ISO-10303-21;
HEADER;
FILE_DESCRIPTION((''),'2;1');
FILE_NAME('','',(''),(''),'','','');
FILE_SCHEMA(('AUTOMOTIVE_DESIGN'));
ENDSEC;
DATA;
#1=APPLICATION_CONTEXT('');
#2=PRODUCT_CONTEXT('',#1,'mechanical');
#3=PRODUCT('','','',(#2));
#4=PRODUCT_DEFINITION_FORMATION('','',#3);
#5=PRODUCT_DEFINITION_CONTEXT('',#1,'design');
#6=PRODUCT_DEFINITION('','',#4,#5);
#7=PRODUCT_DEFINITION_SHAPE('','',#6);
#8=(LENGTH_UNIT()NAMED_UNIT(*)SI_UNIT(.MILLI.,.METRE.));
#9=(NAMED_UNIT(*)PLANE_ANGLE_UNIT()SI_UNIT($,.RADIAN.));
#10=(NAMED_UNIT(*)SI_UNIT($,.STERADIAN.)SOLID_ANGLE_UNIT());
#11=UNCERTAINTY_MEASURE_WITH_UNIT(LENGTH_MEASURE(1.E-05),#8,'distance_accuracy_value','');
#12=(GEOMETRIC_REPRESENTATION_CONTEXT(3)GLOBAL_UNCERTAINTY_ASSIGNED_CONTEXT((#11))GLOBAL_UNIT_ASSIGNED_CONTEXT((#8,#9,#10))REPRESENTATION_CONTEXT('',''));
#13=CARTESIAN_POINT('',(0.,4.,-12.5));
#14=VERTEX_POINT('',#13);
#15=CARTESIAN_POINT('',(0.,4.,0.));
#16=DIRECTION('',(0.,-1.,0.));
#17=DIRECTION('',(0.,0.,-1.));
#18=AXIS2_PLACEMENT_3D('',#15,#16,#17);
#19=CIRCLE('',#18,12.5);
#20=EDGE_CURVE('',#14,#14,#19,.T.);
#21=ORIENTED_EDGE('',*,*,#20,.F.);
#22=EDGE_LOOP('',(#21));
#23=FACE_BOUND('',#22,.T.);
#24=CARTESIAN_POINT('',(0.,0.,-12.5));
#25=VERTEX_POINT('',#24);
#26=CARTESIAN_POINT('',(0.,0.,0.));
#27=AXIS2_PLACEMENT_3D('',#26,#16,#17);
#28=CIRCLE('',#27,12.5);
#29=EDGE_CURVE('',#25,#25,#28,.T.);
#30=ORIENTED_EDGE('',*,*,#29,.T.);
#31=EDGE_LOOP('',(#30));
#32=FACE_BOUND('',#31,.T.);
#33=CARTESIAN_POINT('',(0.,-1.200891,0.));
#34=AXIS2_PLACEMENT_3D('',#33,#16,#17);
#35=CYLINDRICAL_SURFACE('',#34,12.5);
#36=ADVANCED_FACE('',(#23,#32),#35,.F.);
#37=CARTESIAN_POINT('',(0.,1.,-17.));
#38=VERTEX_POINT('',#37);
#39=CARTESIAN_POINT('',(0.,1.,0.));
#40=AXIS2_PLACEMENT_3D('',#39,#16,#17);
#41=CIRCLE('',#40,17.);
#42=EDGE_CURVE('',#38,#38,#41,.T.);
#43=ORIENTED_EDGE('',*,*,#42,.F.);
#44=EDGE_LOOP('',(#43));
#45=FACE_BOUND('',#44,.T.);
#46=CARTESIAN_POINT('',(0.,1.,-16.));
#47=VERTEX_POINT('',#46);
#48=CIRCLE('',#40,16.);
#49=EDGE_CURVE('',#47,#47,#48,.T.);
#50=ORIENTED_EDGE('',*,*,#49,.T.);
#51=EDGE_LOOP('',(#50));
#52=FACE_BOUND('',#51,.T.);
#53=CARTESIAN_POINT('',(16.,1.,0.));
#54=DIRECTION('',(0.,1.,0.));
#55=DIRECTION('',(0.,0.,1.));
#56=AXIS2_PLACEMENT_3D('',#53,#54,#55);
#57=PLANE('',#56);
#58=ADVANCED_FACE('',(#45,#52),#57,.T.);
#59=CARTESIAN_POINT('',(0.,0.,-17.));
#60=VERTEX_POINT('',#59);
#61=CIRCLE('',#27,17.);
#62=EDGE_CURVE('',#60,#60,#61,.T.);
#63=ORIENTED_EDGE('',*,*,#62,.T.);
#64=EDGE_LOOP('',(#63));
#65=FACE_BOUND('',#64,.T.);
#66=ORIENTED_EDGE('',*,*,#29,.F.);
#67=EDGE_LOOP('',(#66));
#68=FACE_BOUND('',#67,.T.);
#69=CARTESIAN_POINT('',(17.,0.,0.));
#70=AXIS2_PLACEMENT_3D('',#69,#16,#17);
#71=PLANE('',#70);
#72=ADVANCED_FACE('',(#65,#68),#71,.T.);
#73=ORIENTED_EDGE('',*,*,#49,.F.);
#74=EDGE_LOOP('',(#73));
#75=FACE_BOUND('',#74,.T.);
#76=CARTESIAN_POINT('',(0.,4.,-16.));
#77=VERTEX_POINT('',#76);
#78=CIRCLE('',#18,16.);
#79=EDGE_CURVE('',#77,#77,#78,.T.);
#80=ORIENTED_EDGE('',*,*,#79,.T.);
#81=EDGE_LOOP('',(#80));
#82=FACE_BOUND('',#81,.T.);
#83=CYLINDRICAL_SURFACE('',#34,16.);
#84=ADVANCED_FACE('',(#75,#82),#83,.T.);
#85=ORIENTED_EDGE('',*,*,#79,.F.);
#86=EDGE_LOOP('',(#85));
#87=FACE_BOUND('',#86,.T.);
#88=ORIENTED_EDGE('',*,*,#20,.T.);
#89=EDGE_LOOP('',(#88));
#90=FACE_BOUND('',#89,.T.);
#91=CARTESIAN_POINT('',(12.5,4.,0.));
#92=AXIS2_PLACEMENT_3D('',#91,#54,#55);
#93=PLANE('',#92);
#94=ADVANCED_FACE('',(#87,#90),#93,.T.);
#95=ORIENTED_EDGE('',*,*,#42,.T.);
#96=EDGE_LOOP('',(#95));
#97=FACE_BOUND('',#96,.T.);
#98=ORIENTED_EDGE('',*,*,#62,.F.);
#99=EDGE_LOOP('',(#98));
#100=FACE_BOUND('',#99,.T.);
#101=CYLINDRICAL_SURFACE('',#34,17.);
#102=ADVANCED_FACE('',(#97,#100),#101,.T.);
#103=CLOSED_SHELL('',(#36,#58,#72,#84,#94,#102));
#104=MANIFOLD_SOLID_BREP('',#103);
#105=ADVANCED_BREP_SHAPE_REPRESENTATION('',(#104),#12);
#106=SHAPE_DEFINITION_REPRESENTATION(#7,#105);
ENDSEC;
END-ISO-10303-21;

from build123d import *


with BuildPart() as part:
    # 草图2 → 旋转1 (revolve)
    with BuildSketch(Plane.XY):
        Polygon((12.5, 4), (16, 4), (16, 1), (17, 1), (17, 0), (12.5, 0), align=None)
    revolve(axis=Axis((0, -1.200890542, 0), (0, 1, 0)))


solid = part.part
